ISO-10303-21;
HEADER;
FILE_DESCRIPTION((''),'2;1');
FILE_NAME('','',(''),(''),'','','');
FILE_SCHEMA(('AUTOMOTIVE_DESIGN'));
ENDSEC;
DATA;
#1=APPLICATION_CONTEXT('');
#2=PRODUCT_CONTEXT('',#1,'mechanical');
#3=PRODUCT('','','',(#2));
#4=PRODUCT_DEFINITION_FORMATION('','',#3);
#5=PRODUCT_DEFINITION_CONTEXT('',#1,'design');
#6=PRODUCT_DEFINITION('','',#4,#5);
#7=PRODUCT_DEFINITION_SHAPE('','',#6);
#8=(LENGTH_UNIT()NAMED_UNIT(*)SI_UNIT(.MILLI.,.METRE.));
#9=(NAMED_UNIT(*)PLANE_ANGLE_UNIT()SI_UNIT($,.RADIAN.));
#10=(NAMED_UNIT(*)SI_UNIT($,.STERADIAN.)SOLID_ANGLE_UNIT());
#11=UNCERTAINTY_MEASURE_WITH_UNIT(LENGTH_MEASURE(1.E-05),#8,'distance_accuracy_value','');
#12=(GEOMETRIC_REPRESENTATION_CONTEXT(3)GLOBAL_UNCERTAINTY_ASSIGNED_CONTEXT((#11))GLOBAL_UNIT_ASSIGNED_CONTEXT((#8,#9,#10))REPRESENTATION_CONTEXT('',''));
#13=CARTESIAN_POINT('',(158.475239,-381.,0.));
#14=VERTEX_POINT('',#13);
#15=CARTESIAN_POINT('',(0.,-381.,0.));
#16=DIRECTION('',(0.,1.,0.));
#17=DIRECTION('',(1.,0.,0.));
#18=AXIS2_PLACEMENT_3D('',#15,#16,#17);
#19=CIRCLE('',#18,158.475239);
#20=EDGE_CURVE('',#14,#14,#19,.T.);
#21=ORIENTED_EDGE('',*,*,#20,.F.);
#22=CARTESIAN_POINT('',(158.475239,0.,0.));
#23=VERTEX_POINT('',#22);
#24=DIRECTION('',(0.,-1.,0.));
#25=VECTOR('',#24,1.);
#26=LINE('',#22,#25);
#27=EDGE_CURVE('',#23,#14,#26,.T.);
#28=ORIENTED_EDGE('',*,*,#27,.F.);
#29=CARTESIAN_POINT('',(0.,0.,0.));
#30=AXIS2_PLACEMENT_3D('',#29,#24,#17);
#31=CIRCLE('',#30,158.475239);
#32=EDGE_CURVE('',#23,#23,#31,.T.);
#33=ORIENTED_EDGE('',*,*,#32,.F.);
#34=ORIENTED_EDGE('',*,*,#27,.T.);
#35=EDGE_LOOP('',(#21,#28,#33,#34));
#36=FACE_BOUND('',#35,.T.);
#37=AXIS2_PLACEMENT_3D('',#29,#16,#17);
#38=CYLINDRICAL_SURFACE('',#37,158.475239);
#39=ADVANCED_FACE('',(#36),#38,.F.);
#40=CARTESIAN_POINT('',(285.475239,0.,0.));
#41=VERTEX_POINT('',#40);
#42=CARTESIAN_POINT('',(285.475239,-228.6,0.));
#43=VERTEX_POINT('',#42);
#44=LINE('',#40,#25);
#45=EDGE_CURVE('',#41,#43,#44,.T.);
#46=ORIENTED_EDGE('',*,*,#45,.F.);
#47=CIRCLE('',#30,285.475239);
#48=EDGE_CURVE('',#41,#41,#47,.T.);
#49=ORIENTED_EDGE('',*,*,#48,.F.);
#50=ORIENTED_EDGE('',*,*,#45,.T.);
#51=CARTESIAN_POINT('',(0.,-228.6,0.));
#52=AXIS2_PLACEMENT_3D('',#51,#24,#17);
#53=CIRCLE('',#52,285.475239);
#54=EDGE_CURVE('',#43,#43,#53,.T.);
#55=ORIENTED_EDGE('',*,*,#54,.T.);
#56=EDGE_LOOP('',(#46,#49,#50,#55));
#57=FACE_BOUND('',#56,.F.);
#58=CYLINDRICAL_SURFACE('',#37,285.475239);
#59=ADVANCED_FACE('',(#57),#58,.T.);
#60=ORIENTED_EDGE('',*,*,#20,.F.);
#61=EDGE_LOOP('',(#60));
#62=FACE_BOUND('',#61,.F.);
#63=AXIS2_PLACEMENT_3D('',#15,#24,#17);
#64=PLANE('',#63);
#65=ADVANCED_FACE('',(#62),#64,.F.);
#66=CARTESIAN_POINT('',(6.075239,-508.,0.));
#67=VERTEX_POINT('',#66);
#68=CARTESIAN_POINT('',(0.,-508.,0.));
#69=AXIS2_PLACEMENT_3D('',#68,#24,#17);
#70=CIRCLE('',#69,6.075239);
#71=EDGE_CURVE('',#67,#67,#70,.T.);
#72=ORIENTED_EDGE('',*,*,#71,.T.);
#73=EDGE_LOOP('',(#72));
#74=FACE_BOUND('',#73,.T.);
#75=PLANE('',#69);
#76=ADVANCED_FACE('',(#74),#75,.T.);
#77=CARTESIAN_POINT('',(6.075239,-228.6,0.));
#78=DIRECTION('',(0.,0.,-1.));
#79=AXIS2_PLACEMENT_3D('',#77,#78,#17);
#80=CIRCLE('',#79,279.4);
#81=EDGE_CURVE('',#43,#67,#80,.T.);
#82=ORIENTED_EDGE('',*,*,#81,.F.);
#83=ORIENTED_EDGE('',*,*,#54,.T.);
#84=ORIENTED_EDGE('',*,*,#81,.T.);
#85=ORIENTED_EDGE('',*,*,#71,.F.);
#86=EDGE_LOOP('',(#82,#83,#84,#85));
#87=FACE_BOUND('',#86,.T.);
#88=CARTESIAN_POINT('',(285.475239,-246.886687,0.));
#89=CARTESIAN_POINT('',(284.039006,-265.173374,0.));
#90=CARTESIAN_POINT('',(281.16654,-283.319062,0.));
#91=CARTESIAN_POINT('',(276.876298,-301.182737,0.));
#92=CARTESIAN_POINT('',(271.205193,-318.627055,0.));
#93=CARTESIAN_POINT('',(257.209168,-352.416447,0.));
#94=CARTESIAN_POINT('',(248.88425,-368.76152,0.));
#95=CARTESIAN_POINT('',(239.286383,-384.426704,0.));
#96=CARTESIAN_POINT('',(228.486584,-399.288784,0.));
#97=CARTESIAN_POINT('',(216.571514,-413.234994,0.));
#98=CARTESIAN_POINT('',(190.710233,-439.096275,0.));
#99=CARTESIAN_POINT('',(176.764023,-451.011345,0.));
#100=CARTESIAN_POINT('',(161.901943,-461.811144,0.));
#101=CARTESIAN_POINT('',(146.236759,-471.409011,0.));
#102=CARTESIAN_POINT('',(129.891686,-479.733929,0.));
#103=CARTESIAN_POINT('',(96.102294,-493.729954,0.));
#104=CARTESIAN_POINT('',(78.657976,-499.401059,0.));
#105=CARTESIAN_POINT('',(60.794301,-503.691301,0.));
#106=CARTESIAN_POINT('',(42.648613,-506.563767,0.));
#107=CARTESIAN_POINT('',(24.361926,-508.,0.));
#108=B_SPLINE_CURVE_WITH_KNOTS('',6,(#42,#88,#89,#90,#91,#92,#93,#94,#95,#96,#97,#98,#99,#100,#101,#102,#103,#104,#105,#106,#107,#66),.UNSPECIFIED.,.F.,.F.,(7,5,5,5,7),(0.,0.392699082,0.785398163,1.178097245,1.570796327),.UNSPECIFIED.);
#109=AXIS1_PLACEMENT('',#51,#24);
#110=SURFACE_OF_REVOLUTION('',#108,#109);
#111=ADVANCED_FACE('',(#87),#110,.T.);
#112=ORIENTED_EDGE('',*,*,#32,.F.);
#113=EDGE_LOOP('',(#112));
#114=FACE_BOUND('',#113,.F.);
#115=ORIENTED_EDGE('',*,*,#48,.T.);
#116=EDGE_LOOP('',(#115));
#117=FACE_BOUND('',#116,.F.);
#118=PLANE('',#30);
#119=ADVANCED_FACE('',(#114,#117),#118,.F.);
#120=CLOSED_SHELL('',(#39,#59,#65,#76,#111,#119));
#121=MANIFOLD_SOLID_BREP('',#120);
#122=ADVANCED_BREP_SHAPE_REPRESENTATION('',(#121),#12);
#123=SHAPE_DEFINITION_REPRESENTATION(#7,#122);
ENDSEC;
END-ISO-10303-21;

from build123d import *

# Parameters (mm, degrees)
F0_R     = 285.475239
F1_DEPTH = 508
F2_T     = -127
F3_R     = 279.4


with BuildPart() as f1:
    # F0 (on Front) → F1 (new body)
    with BuildSketch(Plane.XZ):
        Circle(F0_R)
    extrude(amount=F1_DEPTH)

    # F2
    f2_openings = [f1.faces().sort_by_distance(p)[0] for p in [
        (0, 0, 0),
    ]]
    offset(amount=F2_T, openings=f2_openings)

    # F3
    f3_edges = [f1.edges().sort_by_distance(p)[0] for p in [
        (-285.475239, -508, 0),
    ]]
    fillet(f3_edges, radius=F3_R)


solid = f1.part
